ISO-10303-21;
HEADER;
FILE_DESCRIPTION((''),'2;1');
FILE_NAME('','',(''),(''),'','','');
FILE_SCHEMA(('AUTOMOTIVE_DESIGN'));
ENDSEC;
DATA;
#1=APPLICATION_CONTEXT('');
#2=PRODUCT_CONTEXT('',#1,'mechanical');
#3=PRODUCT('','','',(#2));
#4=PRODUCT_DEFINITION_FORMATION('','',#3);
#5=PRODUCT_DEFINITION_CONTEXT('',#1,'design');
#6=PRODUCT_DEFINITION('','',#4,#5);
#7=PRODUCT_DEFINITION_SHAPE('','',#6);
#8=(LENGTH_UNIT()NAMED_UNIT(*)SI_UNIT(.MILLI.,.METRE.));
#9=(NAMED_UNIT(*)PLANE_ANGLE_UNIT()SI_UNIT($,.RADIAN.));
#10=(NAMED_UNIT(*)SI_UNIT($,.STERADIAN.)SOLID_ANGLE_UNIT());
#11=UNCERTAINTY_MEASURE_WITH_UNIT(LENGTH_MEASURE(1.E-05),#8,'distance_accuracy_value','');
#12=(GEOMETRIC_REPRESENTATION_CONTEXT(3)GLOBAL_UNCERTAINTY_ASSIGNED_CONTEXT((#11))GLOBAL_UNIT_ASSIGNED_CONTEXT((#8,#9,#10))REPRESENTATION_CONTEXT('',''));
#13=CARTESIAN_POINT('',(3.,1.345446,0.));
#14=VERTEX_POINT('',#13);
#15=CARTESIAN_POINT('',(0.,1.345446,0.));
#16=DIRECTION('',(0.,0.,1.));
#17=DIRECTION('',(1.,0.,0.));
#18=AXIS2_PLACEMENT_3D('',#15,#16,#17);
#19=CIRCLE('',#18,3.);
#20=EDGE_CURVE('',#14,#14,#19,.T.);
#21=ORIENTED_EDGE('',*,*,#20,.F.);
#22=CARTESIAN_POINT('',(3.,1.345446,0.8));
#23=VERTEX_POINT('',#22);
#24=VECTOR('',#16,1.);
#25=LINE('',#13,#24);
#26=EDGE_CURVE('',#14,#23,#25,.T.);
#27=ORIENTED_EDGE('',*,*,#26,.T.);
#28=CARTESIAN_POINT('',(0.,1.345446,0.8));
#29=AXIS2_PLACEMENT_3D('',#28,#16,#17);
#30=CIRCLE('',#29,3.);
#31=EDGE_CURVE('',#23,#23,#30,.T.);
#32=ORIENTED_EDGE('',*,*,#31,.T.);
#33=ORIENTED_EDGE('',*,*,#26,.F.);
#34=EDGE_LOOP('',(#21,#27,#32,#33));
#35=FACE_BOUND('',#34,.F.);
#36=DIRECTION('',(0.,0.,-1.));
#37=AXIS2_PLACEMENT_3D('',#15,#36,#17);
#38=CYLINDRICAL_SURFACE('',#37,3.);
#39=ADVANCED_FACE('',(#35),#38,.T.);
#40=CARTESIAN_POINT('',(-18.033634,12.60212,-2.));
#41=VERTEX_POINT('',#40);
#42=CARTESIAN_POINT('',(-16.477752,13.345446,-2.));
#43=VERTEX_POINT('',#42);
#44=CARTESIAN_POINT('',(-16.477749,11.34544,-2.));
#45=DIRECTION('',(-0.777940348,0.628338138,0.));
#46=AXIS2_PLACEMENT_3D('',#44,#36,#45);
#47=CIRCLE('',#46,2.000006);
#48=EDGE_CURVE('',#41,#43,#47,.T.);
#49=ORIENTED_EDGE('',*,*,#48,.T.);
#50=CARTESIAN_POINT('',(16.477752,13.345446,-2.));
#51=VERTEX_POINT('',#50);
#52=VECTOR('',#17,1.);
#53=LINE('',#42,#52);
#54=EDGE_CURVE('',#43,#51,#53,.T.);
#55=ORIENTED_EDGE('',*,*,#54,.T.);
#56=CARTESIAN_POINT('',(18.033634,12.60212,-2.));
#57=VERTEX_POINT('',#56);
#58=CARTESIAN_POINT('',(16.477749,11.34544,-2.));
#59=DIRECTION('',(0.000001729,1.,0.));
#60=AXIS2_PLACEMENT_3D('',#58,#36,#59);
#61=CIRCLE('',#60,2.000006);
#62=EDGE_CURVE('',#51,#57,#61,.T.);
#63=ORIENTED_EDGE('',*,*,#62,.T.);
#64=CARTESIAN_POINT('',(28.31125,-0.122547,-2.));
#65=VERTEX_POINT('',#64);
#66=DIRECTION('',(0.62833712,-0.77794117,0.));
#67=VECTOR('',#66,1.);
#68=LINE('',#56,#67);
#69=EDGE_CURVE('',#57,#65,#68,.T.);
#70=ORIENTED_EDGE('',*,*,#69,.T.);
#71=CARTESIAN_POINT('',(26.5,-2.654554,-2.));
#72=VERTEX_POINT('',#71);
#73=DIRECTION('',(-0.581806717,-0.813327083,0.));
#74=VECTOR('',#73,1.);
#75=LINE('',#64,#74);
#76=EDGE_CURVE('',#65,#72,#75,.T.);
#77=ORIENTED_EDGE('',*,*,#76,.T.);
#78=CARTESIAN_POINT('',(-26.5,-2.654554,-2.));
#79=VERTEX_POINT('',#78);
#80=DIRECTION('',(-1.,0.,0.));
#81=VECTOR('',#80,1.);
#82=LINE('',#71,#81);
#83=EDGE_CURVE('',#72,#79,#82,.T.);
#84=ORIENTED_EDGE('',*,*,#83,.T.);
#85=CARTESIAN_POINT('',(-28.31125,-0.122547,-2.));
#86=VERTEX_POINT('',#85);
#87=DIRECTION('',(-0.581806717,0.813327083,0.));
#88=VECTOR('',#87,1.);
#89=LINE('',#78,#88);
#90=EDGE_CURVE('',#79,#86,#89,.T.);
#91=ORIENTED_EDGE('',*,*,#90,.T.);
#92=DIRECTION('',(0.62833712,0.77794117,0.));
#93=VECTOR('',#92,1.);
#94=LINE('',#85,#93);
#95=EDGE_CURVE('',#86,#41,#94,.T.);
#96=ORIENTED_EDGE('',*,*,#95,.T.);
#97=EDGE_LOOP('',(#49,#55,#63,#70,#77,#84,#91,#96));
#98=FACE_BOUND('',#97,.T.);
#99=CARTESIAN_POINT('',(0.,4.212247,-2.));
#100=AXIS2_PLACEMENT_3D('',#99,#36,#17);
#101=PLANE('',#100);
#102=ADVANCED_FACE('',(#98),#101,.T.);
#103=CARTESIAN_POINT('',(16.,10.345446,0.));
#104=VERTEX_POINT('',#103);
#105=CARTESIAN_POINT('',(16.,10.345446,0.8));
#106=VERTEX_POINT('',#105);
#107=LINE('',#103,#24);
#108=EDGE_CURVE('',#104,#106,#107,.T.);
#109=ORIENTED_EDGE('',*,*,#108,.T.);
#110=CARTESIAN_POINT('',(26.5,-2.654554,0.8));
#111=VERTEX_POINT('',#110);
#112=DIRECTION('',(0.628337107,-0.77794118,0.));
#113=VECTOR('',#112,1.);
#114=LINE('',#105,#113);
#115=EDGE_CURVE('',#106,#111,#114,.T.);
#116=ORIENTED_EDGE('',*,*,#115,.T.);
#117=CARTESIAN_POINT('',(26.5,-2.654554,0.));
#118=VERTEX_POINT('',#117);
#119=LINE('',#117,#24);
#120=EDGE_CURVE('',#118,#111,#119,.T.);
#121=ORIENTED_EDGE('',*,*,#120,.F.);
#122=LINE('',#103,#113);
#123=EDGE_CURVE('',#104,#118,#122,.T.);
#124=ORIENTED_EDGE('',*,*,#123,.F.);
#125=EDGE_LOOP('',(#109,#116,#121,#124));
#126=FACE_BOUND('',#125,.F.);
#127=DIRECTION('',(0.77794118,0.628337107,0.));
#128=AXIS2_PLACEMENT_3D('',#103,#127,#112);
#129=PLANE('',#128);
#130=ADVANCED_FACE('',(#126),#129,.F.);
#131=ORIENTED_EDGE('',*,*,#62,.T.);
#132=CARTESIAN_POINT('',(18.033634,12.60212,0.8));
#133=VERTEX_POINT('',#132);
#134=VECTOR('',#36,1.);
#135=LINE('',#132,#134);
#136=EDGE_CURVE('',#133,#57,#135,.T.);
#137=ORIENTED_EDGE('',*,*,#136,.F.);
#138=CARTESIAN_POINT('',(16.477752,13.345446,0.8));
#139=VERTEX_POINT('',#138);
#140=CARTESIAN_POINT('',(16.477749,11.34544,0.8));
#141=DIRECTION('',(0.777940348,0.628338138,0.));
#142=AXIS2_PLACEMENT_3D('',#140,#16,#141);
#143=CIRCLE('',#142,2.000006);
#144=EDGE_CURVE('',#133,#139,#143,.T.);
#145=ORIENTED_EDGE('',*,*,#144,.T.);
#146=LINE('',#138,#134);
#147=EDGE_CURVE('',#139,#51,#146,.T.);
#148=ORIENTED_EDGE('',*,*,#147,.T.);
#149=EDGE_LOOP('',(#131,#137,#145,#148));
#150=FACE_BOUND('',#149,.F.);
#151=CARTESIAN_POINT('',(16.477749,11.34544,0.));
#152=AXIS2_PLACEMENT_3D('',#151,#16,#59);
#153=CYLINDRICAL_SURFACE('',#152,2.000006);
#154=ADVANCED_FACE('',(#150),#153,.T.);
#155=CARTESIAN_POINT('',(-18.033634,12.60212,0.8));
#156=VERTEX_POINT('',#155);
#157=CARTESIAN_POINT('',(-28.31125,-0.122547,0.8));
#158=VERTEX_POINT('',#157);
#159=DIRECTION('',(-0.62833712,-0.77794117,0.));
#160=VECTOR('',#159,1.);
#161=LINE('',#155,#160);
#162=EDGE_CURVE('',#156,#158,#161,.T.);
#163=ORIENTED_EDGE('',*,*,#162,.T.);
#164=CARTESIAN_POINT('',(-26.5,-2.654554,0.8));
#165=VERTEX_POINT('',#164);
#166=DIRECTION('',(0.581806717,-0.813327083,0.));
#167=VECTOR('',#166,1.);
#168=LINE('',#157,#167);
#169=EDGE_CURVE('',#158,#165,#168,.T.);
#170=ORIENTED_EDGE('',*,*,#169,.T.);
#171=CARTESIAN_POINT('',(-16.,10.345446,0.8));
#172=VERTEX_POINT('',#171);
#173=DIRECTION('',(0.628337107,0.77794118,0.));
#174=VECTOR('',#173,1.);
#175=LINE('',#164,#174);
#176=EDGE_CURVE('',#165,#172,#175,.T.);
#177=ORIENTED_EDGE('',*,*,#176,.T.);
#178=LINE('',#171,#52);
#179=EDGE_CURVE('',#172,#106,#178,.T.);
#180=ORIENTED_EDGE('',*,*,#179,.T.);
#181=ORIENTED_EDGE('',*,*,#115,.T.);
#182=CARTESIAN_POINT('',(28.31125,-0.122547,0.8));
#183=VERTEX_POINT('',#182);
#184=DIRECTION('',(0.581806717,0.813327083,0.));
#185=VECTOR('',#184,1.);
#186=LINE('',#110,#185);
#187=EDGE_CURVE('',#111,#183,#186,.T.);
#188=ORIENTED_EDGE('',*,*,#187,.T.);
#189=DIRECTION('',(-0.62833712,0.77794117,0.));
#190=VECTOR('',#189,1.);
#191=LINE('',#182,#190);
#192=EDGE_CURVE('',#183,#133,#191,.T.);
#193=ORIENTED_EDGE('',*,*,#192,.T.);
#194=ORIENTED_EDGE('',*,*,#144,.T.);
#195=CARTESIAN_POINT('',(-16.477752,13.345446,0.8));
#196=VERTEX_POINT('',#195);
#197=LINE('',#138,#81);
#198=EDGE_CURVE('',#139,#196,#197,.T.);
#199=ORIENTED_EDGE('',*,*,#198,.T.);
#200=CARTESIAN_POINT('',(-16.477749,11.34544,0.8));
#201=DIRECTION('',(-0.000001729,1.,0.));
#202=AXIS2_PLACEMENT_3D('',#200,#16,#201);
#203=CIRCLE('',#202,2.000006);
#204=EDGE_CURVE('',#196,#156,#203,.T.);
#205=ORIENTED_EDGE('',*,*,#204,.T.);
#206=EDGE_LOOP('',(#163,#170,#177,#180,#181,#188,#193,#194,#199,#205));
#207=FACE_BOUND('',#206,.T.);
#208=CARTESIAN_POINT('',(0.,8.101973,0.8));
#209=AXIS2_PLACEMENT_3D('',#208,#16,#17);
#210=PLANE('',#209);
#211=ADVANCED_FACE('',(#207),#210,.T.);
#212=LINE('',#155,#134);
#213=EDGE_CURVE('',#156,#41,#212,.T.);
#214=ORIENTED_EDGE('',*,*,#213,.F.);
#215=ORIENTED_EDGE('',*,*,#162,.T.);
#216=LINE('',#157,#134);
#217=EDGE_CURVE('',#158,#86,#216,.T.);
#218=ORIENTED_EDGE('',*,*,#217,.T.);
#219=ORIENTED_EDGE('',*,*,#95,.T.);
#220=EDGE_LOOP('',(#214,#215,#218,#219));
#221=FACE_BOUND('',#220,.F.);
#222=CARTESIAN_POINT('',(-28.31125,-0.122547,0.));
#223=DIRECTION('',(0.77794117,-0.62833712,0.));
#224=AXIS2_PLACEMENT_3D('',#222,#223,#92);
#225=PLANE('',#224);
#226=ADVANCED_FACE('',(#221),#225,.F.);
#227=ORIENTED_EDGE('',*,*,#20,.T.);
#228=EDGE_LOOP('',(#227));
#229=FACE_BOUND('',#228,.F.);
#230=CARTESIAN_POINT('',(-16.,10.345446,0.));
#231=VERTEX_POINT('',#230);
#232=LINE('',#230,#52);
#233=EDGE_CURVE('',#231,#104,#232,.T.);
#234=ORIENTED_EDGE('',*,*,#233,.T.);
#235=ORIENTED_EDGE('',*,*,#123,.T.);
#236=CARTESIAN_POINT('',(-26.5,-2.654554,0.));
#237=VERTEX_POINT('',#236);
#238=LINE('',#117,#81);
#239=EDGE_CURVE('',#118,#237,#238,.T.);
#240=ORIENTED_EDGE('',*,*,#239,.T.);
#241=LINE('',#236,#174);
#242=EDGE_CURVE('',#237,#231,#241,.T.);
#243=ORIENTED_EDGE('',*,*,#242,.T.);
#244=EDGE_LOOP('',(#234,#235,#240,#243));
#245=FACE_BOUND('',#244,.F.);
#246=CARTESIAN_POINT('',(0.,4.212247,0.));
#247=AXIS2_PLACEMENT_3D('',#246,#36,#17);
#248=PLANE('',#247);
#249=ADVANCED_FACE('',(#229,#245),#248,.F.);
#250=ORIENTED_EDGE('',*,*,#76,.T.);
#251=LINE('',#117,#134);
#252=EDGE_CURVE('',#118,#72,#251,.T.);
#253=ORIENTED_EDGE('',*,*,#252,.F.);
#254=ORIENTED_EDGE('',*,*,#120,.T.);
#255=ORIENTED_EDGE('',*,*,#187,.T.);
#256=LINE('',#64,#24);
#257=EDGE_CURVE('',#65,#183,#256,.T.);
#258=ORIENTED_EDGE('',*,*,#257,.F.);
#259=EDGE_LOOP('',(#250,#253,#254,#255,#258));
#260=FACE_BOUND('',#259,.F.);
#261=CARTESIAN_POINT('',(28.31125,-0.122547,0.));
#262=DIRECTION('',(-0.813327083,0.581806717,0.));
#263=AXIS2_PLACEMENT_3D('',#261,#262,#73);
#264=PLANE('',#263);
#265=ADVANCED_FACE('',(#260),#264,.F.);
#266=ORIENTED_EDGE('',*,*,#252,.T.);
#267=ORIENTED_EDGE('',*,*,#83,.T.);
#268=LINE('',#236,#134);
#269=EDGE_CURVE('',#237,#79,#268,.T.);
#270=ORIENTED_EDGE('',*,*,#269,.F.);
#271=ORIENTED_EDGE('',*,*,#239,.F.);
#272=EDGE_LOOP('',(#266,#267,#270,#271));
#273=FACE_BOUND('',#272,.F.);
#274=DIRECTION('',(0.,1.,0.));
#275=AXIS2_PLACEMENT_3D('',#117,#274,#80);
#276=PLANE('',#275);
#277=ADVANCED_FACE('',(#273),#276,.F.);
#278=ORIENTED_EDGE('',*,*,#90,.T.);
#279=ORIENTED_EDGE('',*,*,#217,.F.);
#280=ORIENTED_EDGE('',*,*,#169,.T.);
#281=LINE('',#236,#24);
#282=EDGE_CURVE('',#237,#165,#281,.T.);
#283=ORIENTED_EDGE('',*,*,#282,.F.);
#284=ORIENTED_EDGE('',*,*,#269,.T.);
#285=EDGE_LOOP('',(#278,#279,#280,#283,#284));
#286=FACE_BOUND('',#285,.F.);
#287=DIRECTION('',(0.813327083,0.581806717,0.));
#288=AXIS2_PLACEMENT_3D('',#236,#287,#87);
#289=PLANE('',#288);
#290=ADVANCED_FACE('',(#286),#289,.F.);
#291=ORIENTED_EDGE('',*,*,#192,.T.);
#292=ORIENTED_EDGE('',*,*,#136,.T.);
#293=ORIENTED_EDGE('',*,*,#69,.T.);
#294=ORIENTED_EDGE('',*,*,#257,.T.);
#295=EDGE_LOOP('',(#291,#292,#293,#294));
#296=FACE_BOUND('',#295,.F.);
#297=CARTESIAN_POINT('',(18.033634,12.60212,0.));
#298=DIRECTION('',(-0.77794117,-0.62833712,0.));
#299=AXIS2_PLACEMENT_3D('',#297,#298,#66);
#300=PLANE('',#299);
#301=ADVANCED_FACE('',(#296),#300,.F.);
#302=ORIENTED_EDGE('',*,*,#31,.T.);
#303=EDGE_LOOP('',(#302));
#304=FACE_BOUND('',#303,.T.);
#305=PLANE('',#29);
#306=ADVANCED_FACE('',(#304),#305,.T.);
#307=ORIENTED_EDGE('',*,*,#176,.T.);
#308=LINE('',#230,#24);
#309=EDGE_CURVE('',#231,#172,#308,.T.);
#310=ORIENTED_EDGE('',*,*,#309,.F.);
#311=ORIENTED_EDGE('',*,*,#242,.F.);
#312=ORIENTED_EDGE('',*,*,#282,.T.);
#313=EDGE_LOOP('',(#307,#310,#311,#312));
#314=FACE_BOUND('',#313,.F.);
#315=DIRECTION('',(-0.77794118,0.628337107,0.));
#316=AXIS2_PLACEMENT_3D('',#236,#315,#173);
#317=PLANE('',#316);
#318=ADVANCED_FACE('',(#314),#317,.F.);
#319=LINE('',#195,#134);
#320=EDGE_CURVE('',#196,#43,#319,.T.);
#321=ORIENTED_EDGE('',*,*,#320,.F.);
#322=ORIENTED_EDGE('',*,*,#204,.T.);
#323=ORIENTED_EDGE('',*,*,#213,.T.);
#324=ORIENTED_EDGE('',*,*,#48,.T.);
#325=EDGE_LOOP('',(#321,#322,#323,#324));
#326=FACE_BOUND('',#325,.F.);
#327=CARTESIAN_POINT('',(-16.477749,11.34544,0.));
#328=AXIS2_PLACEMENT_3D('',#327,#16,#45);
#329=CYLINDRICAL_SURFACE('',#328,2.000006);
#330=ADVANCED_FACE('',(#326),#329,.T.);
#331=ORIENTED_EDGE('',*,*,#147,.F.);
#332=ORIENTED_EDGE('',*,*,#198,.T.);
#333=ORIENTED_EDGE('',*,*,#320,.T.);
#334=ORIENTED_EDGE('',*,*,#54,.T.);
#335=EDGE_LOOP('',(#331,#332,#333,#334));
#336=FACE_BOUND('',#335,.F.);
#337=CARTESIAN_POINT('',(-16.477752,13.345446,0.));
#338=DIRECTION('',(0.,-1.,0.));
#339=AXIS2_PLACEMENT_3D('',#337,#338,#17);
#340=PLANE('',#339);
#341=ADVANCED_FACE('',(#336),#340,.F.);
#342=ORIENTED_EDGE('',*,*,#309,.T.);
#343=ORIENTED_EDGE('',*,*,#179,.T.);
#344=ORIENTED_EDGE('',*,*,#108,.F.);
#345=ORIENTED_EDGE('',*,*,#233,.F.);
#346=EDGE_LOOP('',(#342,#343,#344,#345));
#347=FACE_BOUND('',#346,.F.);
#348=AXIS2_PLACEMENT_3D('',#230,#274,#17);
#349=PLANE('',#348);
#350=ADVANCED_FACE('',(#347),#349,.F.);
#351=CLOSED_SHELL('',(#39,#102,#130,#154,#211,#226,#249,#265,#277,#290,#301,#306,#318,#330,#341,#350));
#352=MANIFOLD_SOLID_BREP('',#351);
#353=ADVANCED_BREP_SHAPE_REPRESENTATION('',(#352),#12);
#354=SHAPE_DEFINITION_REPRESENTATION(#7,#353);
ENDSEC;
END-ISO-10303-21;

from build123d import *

# Parameters (mm, degrees)
F0_R     = 3
F1_DEPTH = 0.8
F3_DEPTH = 2


with BuildPart() as f1:
    # F0 (on Top) → F1 (new body)
    with BuildSketch(Plane.XY):
        with BuildLine():
            Line((-2, 10.345446), (0, 10.345446))
            Line((0, 10.345446), (2, 10.345446))
            Line((2, 10.345446), (5.554248, 10.345446))
            Line((5.554248, 10.345446), (16, 10.345446))
            Line((16, 10.345446), (26.5, -2.654554))
            Line((26.5, -2.654554), (28.31125, -0.122547))
            Line((28.31125, -0.122547), (18.033634, 12.60212))
            ThreePointArc((18.033634, 12.60212), (17.339915, 13.150071), (16.477752, 13.345446))
            Line((16.477752, 13.345446), (0, 13.345446))
            Line((0, 13.345446), (-16.477752, 13.345446))
            ThreePointArc((-16.477752, 13.345446), (-17.339915, 13.150071), (-18.033634, 12.60212))
            Line((-18.033634, 12.60212), (-28.31125, -0.122547))
            Line((-28.31125, -0.122547), (-26.5, -2.654554))
            Line((-26.5, -2.654554), (-16, 10.345446))
            Line((-16, 10.345446), (-5.554248, 10.345446))
            Line((-5.554248, 10.345446), (-2, 10.345446))
        make_face()
        with Locations((0, 1.345446)):
            Circle(F0_R)
    extrude(amount=F1_DEPTH)

    # F2 (on face) → F3 (join)
    with BuildSketch(Plane(origin=(0, 0, 0), x_dir=(1, 0, 0), z_dir=(0, 0, -1))):
        with BuildLine():
            Line((-26.5, 2.654554), (-28.31125, 0.122547))
            Line((-28.31125, 0.122547), (-18.033634, -12.60212))
            ThreePointArc((-18.033634, -12.60212), (-17.339915, -13.150071), (-16.477752, -13.345446))
            Line((-16.477752, -13.345446), (16.477752, -13.345446))
            ThreePointArc((16.477752, -13.345446), (17.339915, -13.150071), (18.033634, -12.60212))
            Line((18.033634, -12.60212), (28.31125, 0.122547))
            Line((28.31125, 0.122547), (26.5, 2.654554))
            Line((26.5, 2.654554), (-26.5, 2.654554))
        make_face()
    extrude(amount=F3_DEPTH)


solid = f1.part
